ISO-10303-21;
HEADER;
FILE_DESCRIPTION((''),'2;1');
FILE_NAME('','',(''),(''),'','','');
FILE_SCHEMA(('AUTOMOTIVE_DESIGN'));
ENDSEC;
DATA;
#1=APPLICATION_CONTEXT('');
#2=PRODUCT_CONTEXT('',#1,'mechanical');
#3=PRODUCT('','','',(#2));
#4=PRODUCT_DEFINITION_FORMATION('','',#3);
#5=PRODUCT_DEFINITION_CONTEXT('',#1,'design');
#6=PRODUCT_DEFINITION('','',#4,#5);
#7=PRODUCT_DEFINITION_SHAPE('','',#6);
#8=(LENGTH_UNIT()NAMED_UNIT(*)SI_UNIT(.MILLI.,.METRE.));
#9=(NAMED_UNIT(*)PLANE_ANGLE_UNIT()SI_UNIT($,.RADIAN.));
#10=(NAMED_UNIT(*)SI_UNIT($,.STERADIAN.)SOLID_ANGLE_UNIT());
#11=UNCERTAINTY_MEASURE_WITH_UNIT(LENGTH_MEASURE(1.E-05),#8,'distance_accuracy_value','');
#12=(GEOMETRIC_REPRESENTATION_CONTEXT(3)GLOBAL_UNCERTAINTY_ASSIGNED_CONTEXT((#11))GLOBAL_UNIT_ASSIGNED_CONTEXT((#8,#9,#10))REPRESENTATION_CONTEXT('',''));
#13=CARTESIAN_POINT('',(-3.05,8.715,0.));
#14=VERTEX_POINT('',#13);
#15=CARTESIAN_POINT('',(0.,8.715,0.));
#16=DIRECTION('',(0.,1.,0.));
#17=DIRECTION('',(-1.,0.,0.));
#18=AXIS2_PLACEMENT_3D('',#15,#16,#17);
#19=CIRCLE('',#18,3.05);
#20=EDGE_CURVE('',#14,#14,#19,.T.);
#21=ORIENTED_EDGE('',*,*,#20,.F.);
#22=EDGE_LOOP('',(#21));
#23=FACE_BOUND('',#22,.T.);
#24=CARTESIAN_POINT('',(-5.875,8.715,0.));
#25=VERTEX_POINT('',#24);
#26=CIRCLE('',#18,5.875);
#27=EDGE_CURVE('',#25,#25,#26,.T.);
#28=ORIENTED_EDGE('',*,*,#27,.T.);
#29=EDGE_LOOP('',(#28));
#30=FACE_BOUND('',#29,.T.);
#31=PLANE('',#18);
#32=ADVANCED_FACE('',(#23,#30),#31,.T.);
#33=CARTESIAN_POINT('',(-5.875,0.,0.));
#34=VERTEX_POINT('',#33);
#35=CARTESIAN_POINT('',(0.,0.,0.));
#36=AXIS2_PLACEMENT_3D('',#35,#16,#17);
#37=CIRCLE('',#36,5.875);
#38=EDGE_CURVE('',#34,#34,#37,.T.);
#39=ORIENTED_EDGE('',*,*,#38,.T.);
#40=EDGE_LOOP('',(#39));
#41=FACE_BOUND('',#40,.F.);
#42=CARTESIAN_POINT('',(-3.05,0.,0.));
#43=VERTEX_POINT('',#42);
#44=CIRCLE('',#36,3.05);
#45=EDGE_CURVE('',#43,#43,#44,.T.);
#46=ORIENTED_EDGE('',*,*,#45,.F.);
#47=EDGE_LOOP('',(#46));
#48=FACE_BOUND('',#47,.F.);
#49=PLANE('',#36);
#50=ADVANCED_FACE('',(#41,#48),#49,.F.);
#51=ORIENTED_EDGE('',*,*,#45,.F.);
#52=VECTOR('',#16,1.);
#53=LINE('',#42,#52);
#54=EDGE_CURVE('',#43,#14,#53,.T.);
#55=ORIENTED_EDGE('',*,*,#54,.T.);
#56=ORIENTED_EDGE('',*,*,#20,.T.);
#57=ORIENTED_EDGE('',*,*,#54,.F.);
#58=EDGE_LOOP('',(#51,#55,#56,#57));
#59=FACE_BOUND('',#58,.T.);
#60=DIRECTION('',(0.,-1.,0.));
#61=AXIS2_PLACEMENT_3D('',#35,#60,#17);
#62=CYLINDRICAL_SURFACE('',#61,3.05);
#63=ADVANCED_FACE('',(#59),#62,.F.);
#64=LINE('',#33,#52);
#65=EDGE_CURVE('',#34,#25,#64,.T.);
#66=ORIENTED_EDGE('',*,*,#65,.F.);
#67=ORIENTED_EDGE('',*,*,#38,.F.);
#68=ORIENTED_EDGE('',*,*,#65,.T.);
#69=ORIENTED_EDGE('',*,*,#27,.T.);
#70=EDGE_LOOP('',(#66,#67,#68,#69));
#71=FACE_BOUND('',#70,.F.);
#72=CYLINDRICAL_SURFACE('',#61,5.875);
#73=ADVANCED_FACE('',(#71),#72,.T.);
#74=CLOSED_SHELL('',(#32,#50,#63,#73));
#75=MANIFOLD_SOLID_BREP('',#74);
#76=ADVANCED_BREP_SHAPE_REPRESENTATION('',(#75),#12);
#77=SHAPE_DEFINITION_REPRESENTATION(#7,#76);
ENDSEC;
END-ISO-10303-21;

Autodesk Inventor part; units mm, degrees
ref_plane "YZ Plane" through (0, 0, 0) normal (1, 0, 0) x (0, 1, 0)
ref_plane "XZ Plane" through (0, 0, 0) normal (0, 1, 0) x (-1, 0, 0)
ref_plane "XY Plane" through (0, 0, 0) normal (0, 0, 1) x (1, 0, 0)
sketch "Sketch1" plane through (0, 0, 0) normal (0, 1, 0) x (-1, 0, 0)
  circle A0 centre (0, 0) radius 3.05
  circle A1 centre (0, 0) radius 5.875
  dimension "d0" = 6.1
  dimension "d1" = 11.75
extrude "Extrusion1" add sketch "Sketch1" along normal blind 8.715
properties part number "outer_distance"
